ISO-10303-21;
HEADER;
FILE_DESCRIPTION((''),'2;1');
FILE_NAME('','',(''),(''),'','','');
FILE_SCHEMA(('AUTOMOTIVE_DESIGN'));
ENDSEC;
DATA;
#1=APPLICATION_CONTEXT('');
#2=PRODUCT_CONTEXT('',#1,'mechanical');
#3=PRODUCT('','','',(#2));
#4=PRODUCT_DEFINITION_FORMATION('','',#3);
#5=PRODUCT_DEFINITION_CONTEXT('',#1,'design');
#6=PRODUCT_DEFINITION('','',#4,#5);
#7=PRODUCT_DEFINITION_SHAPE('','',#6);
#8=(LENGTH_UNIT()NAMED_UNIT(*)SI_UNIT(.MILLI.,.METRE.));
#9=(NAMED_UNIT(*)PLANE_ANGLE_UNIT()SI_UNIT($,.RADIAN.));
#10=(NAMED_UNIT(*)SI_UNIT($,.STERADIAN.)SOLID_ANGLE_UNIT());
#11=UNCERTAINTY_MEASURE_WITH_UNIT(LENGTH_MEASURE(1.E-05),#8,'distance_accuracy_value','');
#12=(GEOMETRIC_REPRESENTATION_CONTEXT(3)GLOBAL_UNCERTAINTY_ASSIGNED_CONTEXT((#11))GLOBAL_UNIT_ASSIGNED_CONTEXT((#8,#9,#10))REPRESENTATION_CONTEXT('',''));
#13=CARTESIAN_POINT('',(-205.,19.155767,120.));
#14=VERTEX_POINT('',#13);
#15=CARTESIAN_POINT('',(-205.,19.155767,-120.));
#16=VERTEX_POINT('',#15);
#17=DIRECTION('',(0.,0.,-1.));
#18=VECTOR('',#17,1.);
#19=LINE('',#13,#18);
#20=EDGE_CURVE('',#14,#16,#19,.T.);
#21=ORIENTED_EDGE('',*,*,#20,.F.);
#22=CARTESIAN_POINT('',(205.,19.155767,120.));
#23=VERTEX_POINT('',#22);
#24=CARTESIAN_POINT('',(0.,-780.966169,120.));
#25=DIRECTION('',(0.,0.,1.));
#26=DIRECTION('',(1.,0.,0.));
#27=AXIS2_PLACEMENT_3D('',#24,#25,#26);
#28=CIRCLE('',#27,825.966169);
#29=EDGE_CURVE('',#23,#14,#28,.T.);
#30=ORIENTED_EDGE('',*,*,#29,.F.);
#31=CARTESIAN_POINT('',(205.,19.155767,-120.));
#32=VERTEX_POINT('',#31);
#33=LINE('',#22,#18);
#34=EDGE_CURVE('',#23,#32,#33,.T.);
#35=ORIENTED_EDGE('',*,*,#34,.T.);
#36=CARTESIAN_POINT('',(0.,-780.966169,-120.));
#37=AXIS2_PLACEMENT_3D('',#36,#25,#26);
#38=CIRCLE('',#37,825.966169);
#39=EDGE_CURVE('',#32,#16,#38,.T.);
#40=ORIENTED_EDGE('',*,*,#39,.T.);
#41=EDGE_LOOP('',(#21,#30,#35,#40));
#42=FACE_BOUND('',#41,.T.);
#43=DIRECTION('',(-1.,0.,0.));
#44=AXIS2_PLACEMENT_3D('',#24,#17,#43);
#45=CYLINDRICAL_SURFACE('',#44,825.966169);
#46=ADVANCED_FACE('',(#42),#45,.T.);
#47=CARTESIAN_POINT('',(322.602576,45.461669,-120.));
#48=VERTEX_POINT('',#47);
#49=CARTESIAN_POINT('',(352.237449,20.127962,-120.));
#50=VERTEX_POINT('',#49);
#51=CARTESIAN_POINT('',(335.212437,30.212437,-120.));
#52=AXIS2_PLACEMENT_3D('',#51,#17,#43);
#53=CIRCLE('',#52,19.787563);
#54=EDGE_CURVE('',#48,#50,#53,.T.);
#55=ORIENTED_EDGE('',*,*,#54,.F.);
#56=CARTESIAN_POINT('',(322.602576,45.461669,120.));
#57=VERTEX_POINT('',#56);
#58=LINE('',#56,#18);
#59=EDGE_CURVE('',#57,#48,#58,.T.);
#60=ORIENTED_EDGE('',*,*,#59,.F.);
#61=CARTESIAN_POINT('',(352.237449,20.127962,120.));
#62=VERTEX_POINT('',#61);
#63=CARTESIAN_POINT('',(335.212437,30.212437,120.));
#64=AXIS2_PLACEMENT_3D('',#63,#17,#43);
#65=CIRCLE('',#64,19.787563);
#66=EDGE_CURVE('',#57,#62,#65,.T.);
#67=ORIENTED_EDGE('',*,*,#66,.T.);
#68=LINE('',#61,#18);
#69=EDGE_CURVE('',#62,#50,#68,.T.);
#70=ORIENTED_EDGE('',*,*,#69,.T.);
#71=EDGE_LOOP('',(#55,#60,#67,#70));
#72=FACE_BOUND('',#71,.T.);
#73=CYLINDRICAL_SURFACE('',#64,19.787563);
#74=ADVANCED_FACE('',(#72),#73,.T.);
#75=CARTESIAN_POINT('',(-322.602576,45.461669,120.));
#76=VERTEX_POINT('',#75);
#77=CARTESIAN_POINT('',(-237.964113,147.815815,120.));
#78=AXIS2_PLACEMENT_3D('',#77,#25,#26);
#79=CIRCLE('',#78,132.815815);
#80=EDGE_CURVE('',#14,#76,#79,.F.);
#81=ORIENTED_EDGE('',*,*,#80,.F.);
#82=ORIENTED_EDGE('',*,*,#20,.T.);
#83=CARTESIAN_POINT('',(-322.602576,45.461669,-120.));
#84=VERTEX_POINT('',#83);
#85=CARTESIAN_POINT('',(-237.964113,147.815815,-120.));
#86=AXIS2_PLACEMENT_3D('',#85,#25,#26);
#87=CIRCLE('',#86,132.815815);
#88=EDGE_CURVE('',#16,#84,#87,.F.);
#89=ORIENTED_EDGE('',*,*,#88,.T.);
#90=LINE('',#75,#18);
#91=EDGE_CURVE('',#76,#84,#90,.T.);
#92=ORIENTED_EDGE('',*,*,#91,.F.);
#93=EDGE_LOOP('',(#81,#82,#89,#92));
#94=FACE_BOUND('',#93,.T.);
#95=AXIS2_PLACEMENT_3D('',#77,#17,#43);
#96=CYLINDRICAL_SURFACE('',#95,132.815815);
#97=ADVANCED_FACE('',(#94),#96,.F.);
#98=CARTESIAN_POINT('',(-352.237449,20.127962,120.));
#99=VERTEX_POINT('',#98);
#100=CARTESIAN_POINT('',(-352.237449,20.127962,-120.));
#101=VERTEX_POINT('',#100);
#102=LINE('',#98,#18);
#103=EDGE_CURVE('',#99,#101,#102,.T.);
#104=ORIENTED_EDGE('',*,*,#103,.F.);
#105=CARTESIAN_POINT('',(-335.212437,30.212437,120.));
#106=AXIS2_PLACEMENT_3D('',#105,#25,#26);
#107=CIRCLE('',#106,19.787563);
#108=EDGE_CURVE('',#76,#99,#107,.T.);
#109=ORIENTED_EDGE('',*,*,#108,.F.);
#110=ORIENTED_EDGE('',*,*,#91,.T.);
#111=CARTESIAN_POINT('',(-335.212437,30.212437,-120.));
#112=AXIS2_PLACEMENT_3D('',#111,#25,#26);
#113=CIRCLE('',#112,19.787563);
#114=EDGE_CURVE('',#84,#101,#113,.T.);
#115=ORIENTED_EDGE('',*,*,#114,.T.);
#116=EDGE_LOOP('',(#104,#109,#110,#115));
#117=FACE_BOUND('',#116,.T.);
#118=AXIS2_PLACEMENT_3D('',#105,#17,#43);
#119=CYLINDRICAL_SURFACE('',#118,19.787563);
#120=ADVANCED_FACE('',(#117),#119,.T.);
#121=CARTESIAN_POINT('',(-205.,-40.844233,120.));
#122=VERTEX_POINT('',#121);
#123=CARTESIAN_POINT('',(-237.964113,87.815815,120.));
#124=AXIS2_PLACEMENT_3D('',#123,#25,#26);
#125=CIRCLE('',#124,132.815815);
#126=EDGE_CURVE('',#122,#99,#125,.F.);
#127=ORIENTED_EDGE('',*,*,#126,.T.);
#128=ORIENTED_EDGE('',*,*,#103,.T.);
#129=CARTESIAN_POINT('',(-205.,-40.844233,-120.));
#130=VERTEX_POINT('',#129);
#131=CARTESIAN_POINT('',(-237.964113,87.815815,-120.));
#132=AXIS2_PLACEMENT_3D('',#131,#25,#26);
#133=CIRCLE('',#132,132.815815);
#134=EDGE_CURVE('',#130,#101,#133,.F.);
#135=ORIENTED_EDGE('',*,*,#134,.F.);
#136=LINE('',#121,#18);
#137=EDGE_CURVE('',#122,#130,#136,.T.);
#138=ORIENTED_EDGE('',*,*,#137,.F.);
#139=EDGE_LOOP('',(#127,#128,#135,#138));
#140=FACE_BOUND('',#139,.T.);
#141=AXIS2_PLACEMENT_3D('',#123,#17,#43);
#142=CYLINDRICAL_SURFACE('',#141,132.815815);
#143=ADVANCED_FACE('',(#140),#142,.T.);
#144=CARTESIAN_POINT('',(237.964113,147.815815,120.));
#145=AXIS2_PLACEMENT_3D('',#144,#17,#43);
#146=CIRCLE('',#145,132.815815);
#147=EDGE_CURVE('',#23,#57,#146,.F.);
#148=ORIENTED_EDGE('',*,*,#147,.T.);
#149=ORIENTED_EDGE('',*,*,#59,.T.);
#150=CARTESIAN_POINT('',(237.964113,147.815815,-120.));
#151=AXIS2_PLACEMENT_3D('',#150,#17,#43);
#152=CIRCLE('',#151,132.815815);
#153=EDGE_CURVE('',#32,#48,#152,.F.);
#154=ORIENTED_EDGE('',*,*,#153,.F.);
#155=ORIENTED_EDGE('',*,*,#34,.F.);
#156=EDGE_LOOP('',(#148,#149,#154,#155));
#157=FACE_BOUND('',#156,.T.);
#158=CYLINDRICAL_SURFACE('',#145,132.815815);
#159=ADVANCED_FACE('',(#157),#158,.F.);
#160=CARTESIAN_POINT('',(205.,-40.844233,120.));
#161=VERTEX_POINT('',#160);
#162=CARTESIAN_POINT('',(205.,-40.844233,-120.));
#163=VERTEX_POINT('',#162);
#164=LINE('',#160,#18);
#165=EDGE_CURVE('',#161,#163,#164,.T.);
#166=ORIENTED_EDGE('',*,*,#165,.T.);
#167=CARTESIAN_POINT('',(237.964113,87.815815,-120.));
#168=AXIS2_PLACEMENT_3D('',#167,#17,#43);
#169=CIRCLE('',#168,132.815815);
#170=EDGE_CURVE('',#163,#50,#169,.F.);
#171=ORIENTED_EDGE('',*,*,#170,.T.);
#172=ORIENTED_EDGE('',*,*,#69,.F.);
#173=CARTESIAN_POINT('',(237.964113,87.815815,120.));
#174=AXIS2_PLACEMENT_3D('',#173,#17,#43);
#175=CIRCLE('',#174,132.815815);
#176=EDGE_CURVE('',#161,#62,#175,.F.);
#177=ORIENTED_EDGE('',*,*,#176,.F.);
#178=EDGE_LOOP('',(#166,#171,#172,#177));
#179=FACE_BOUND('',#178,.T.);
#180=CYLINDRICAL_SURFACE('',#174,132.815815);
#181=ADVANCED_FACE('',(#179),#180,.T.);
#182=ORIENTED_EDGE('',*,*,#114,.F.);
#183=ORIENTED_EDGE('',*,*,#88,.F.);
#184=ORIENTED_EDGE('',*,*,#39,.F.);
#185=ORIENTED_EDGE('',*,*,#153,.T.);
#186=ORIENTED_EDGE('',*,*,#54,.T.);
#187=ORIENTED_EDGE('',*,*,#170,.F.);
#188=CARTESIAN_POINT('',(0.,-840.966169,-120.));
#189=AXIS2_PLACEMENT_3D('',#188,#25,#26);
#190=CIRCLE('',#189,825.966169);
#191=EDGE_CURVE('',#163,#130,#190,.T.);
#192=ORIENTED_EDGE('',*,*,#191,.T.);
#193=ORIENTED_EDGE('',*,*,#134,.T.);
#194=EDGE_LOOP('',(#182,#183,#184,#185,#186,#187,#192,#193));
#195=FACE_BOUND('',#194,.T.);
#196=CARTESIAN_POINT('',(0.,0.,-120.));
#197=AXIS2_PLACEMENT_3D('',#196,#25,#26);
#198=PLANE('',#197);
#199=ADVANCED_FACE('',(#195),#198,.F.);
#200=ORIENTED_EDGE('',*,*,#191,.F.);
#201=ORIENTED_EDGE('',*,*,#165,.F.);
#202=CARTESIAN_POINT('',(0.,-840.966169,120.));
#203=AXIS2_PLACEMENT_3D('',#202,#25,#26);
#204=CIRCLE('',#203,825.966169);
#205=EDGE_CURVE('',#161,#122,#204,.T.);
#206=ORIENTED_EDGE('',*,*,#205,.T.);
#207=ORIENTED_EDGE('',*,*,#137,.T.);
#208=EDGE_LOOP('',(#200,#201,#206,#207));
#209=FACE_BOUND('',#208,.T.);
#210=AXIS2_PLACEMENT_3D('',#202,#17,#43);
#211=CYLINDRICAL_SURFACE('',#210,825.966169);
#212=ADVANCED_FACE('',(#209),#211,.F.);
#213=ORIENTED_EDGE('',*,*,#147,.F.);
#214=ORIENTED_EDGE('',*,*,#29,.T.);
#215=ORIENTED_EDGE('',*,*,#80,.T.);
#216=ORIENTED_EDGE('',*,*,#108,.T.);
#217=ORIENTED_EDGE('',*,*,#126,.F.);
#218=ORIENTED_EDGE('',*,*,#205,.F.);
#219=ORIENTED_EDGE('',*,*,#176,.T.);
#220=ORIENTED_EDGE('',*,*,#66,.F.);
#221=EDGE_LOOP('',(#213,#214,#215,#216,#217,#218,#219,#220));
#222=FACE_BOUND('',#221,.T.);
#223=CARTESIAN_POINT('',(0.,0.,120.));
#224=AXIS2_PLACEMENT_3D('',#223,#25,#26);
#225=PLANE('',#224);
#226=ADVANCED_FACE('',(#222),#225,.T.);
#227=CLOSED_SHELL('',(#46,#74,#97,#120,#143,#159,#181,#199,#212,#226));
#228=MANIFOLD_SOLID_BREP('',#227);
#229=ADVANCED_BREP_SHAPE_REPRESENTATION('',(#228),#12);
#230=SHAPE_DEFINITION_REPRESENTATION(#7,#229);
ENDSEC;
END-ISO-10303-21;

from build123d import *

# Parameters (mm, degrees)
AUFSATZ_LINEAR_AUSTRAGEN1_DEPTH = 120


with BuildPart() as part:
    # Skizze1 → Aufsatz-Linear austragen1 (new body, symmetric)
    with BuildSketch(Plane.XY):
        with BuildLine():
            Line((0, -15), (0, 45))
            ThreePointArc((0, 45), (-103.311330917, 38.513471526), (-205, 19.155766915))
            ThreePointArc((-205, 19.155766915), (-266.956521007, 18.203003185), (-322.60257584, 45.461668516))
            ThreePointArc((-322.60257584, 45.461668516), (-348.070218627, 45.253218096), (-352.237448898, 20.127962424))
            ThreePointArc((-352.237448898, 20.127962424), (-338.919122298, 1.513284408), (-322.60257584, -14.538331484))
            ThreePointArc((-322.60257584, -14.538331484), (-266.956521007, -41.796996815), (-205, -40.844233085))
            ThreePointArc((-205, -40.844233085), (-103.311330917, -21.486528474), (0, -15))
        make_face()
    aufsatz_linear_austragen1 = extrude(amount=AUFSATZ_LINEAR_AUSTRAGEN1_DEPTH, both=True)

    # Spiegeln1: Aufsatz-Linear austragen1 across plane
    add(aufsatz_linear_austragen1.mirror(Plane(origin=(0, 0, 120), x_dir=(0, 0, 1), z_dir=(1, 0, 0))))


solid = part.part
